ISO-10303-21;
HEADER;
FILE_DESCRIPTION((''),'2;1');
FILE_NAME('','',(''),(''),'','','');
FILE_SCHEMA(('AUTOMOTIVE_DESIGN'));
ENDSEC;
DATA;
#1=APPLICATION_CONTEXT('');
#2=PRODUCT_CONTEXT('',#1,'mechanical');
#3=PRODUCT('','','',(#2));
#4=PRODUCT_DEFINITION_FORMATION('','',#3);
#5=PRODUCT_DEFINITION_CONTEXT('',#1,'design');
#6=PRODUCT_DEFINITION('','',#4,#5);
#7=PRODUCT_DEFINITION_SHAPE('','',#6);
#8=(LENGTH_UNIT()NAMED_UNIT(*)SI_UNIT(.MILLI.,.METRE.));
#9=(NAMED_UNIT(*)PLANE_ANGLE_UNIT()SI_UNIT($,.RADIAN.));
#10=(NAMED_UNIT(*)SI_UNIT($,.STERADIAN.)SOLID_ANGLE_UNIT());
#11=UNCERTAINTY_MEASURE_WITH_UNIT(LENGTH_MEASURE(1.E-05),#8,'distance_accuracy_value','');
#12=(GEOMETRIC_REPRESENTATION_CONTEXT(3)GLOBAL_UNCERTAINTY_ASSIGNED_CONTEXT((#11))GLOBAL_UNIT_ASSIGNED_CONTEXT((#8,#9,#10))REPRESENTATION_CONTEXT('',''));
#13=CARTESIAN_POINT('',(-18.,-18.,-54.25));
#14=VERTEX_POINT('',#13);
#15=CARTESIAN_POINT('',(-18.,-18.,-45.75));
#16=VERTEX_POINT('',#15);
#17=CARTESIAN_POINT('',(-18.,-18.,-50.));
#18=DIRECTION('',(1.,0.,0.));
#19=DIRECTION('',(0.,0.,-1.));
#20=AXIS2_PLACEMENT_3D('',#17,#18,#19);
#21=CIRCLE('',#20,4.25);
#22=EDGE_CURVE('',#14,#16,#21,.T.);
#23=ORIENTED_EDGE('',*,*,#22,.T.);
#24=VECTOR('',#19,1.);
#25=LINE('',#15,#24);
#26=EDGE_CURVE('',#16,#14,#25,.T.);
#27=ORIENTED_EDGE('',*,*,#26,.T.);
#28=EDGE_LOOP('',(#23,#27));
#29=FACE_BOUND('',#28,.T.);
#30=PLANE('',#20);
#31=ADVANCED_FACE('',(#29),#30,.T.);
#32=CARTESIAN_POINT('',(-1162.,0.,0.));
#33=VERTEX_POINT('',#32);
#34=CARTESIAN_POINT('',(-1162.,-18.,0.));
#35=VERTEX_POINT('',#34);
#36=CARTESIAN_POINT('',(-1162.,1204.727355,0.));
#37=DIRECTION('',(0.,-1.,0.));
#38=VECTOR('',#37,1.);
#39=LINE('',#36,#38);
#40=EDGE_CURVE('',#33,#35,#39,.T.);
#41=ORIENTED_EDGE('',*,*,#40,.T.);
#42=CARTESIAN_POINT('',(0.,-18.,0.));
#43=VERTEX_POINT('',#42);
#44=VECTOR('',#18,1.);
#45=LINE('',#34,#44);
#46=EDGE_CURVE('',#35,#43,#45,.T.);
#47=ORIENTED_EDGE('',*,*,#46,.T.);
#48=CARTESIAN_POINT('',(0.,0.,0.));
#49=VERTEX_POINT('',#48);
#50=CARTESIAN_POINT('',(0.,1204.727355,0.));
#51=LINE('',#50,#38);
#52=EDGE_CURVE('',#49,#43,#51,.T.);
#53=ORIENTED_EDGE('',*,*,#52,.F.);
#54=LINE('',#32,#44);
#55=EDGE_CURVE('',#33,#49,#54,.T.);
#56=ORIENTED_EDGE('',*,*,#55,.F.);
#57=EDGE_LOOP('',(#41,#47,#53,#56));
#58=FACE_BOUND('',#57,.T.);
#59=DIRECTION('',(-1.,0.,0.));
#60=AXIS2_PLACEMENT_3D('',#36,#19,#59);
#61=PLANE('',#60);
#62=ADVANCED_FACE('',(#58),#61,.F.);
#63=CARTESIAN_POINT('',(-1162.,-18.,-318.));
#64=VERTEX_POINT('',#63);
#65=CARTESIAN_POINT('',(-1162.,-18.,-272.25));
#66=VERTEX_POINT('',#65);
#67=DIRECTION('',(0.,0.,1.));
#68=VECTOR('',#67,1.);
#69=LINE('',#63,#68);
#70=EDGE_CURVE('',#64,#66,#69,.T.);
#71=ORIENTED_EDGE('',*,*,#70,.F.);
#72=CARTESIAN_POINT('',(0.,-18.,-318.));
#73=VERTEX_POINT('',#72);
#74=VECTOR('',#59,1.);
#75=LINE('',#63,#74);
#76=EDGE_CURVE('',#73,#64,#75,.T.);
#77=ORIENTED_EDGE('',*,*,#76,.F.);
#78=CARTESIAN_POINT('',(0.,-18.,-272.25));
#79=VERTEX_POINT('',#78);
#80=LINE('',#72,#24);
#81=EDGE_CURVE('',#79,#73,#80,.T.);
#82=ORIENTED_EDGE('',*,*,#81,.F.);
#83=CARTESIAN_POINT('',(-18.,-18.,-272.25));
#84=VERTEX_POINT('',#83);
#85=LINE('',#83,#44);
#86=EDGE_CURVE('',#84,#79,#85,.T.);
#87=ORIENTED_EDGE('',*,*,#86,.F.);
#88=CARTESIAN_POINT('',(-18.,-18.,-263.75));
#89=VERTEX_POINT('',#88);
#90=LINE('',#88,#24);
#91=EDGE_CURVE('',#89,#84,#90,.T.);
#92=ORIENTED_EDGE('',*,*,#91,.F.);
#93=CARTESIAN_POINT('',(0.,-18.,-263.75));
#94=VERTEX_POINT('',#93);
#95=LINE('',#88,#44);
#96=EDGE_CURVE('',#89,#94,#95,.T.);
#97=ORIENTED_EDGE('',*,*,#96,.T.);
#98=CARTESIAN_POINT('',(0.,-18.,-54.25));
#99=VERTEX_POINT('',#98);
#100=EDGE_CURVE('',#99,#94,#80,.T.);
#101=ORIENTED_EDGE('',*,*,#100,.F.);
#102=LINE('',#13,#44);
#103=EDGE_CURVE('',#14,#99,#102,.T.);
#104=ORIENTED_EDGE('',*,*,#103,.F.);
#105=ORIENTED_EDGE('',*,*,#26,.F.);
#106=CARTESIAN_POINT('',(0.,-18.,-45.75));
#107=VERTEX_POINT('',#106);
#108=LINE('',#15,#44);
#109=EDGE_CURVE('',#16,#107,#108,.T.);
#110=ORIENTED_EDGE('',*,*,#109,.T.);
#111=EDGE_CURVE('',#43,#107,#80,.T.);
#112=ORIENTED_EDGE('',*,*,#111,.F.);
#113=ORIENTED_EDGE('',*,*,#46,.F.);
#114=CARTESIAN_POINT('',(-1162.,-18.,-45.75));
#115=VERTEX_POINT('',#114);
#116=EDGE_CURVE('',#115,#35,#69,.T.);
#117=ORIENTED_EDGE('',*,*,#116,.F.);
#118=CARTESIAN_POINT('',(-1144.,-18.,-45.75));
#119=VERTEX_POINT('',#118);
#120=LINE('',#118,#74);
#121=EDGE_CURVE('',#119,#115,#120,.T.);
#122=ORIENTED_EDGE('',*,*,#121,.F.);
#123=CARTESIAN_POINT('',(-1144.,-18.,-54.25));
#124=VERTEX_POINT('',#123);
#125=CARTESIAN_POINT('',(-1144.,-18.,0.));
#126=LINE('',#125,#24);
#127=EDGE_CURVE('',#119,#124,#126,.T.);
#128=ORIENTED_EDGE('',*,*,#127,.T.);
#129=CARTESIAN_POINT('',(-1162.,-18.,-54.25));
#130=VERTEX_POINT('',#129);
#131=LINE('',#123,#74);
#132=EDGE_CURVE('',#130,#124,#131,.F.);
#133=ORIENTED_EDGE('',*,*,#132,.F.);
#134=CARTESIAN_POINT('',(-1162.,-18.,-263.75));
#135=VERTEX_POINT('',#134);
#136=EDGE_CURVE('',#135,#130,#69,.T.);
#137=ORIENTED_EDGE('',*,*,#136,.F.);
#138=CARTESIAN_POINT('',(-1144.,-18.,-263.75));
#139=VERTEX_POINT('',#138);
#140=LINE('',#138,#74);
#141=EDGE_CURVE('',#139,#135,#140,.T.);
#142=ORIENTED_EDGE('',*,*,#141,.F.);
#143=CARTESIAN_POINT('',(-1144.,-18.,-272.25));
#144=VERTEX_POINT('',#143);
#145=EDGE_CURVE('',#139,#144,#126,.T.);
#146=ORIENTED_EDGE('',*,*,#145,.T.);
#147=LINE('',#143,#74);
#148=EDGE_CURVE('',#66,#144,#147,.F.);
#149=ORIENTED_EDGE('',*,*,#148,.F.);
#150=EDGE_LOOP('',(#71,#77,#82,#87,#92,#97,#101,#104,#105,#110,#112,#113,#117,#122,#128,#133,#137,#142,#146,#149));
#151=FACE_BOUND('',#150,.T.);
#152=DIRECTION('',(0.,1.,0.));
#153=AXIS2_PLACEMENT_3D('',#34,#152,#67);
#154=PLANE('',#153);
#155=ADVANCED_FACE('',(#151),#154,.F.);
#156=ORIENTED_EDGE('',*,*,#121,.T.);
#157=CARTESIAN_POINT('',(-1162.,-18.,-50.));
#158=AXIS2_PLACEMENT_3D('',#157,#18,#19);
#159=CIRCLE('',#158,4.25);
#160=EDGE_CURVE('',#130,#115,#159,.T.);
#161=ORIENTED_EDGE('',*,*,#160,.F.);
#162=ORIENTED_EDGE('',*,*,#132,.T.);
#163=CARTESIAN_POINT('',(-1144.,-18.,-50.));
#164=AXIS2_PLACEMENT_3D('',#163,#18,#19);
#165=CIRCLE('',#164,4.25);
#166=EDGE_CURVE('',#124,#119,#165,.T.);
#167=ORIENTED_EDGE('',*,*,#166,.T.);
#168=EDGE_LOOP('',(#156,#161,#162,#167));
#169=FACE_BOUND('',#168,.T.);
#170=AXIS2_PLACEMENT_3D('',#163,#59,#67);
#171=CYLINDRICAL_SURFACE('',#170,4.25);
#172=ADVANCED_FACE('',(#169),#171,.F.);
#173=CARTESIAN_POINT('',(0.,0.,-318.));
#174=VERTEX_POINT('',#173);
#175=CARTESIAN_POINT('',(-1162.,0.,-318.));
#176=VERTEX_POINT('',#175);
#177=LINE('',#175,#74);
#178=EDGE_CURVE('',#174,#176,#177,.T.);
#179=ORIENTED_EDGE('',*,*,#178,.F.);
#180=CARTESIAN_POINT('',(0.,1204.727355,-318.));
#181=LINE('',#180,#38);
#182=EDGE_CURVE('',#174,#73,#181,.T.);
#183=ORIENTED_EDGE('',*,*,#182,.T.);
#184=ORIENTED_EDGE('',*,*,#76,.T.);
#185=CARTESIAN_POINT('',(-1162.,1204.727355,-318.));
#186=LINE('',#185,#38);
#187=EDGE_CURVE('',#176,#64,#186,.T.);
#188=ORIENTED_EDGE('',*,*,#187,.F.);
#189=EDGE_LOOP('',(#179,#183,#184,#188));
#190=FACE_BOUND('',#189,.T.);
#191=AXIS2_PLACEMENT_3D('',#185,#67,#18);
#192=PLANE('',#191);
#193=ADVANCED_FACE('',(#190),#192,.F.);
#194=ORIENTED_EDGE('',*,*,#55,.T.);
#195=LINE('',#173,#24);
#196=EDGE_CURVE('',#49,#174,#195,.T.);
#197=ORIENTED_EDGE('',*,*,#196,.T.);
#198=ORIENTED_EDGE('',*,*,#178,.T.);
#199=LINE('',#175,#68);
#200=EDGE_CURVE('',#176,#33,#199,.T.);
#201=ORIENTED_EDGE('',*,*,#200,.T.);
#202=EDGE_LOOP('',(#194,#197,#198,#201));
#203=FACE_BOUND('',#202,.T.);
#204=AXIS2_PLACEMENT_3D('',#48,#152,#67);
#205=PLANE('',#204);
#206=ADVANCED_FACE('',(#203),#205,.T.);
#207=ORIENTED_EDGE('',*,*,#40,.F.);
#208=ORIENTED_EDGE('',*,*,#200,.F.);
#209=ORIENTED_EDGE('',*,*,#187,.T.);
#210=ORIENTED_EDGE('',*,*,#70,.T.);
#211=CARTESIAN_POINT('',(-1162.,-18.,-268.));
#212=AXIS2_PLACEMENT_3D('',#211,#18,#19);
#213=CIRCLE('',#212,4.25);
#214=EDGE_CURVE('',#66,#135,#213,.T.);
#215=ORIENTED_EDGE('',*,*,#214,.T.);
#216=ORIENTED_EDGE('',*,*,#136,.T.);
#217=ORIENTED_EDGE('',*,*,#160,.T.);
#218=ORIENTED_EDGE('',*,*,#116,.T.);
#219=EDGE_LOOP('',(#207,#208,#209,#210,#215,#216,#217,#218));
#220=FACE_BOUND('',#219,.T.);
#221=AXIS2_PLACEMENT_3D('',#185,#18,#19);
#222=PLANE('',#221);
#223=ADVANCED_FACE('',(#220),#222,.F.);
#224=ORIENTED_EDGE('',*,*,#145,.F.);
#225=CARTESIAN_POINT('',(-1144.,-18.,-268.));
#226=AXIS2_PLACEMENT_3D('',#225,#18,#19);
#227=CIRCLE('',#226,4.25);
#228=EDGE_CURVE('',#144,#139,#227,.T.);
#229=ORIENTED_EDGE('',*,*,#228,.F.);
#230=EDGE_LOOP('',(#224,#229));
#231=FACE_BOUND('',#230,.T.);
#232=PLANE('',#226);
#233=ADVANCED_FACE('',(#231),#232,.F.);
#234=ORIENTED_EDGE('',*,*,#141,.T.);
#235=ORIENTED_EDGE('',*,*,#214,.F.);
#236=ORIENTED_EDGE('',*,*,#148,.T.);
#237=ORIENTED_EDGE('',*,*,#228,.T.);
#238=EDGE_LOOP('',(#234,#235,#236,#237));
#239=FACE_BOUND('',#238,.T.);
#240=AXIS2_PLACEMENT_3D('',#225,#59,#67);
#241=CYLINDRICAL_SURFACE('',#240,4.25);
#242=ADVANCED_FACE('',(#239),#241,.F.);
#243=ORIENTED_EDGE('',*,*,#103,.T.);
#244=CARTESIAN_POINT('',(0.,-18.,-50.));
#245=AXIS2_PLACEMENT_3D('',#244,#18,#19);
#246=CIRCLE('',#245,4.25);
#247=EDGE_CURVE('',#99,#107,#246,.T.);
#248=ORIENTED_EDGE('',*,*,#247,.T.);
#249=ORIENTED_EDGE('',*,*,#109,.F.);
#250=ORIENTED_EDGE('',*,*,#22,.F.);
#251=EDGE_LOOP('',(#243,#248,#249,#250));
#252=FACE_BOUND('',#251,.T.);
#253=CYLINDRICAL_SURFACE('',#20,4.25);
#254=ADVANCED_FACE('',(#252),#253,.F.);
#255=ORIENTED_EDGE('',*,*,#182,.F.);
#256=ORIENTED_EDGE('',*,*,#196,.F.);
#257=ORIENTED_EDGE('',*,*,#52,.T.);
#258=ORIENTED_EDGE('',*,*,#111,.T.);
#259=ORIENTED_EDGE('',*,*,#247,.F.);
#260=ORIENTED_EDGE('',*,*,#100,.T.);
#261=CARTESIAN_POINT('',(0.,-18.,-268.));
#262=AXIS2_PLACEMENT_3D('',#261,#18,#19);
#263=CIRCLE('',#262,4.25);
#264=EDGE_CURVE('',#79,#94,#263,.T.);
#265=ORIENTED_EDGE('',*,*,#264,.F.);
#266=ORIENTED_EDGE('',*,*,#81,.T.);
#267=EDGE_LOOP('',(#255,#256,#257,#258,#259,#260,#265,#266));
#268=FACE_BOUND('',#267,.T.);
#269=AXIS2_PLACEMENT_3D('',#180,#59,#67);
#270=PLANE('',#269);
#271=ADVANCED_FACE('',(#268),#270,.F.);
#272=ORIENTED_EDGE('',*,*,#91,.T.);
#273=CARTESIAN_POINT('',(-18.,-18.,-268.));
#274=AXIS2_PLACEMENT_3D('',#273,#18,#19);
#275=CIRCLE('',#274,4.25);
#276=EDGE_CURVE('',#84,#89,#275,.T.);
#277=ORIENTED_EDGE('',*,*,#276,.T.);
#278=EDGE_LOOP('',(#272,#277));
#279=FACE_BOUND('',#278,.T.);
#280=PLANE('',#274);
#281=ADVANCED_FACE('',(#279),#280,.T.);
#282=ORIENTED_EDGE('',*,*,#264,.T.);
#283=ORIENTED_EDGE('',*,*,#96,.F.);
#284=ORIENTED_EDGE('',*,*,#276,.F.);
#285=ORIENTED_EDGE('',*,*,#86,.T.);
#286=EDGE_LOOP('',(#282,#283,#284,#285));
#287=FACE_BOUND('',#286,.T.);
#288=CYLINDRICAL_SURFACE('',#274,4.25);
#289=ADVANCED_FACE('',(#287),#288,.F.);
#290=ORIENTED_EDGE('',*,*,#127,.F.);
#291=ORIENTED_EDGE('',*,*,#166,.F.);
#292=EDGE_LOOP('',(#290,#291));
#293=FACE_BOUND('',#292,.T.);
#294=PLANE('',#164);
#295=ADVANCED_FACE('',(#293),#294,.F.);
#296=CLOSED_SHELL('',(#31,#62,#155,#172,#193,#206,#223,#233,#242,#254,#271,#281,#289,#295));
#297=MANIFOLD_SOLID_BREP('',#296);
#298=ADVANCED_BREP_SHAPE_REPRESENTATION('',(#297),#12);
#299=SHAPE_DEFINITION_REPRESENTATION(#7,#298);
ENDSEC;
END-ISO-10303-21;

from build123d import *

# Parameters (mm, degrees)
SKETCH1_W       = 1162
SKETCH1_H       = 318
ADJ_SHELF_DEPTH = 18
SKETCH2_R       = 4.25
EXTRUDE3_DEPTH  = 18
EXTRUDE4_START  = -18
EXTRUDE4_DEPTH  = 18


with BuildPart() as part:
    # Sketch1 → Adj Shelf (new body)
    with BuildSketch(Plane(origin=(0, -18, 0), x_dir=(-1, 0, 0), z_dir=(0, 1, 0))):
        with Locations((581, -159)):
            Rectangle(SKETCH1_W, SKETCH1_H)
    extrude(amount=ADJ_SHELF_DEPTH)

    # Sketch2 → Extrude3 (cut)
    with BuildSketch(Plane(origin=(-1162, 0, 0), x_dir=(0, 0, -1), z_dir=(1, 0, 0))):
        with Locations((50, -18)):
            Circle(SKETCH2_R)
        with Locations((268, -18)):
            Circle(SKETCH2_R)
    extrude(amount=EXTRUDE3_DEPTH, mode=Mode.SUBTRACT)

    # Sketch4 → Extrude4 (cut)
    with BuildSketch(Plane(origin=(0, 0, 0), x_dir=(0, 0, -1), z_dir=(1, 0, 0)).offset(EXTRUDE4_START)):
        with BuildLine():
            Line((45.75, -18), (54.25, -18))
            ThreePointArc((54.25, -18), (50, -13.75), (45.75, -18))
        make_face()
        with BuildLine():
            Line((263.75, -18), (272.25, -18))
            ThreePointArc((272.25, -18), (268, -13.75), (263.75, -18))
        make_face()
    extrude(amount=EXTRUDE4_DEPTH, mode=Mode.SUBTRACT)


solid = part.part
